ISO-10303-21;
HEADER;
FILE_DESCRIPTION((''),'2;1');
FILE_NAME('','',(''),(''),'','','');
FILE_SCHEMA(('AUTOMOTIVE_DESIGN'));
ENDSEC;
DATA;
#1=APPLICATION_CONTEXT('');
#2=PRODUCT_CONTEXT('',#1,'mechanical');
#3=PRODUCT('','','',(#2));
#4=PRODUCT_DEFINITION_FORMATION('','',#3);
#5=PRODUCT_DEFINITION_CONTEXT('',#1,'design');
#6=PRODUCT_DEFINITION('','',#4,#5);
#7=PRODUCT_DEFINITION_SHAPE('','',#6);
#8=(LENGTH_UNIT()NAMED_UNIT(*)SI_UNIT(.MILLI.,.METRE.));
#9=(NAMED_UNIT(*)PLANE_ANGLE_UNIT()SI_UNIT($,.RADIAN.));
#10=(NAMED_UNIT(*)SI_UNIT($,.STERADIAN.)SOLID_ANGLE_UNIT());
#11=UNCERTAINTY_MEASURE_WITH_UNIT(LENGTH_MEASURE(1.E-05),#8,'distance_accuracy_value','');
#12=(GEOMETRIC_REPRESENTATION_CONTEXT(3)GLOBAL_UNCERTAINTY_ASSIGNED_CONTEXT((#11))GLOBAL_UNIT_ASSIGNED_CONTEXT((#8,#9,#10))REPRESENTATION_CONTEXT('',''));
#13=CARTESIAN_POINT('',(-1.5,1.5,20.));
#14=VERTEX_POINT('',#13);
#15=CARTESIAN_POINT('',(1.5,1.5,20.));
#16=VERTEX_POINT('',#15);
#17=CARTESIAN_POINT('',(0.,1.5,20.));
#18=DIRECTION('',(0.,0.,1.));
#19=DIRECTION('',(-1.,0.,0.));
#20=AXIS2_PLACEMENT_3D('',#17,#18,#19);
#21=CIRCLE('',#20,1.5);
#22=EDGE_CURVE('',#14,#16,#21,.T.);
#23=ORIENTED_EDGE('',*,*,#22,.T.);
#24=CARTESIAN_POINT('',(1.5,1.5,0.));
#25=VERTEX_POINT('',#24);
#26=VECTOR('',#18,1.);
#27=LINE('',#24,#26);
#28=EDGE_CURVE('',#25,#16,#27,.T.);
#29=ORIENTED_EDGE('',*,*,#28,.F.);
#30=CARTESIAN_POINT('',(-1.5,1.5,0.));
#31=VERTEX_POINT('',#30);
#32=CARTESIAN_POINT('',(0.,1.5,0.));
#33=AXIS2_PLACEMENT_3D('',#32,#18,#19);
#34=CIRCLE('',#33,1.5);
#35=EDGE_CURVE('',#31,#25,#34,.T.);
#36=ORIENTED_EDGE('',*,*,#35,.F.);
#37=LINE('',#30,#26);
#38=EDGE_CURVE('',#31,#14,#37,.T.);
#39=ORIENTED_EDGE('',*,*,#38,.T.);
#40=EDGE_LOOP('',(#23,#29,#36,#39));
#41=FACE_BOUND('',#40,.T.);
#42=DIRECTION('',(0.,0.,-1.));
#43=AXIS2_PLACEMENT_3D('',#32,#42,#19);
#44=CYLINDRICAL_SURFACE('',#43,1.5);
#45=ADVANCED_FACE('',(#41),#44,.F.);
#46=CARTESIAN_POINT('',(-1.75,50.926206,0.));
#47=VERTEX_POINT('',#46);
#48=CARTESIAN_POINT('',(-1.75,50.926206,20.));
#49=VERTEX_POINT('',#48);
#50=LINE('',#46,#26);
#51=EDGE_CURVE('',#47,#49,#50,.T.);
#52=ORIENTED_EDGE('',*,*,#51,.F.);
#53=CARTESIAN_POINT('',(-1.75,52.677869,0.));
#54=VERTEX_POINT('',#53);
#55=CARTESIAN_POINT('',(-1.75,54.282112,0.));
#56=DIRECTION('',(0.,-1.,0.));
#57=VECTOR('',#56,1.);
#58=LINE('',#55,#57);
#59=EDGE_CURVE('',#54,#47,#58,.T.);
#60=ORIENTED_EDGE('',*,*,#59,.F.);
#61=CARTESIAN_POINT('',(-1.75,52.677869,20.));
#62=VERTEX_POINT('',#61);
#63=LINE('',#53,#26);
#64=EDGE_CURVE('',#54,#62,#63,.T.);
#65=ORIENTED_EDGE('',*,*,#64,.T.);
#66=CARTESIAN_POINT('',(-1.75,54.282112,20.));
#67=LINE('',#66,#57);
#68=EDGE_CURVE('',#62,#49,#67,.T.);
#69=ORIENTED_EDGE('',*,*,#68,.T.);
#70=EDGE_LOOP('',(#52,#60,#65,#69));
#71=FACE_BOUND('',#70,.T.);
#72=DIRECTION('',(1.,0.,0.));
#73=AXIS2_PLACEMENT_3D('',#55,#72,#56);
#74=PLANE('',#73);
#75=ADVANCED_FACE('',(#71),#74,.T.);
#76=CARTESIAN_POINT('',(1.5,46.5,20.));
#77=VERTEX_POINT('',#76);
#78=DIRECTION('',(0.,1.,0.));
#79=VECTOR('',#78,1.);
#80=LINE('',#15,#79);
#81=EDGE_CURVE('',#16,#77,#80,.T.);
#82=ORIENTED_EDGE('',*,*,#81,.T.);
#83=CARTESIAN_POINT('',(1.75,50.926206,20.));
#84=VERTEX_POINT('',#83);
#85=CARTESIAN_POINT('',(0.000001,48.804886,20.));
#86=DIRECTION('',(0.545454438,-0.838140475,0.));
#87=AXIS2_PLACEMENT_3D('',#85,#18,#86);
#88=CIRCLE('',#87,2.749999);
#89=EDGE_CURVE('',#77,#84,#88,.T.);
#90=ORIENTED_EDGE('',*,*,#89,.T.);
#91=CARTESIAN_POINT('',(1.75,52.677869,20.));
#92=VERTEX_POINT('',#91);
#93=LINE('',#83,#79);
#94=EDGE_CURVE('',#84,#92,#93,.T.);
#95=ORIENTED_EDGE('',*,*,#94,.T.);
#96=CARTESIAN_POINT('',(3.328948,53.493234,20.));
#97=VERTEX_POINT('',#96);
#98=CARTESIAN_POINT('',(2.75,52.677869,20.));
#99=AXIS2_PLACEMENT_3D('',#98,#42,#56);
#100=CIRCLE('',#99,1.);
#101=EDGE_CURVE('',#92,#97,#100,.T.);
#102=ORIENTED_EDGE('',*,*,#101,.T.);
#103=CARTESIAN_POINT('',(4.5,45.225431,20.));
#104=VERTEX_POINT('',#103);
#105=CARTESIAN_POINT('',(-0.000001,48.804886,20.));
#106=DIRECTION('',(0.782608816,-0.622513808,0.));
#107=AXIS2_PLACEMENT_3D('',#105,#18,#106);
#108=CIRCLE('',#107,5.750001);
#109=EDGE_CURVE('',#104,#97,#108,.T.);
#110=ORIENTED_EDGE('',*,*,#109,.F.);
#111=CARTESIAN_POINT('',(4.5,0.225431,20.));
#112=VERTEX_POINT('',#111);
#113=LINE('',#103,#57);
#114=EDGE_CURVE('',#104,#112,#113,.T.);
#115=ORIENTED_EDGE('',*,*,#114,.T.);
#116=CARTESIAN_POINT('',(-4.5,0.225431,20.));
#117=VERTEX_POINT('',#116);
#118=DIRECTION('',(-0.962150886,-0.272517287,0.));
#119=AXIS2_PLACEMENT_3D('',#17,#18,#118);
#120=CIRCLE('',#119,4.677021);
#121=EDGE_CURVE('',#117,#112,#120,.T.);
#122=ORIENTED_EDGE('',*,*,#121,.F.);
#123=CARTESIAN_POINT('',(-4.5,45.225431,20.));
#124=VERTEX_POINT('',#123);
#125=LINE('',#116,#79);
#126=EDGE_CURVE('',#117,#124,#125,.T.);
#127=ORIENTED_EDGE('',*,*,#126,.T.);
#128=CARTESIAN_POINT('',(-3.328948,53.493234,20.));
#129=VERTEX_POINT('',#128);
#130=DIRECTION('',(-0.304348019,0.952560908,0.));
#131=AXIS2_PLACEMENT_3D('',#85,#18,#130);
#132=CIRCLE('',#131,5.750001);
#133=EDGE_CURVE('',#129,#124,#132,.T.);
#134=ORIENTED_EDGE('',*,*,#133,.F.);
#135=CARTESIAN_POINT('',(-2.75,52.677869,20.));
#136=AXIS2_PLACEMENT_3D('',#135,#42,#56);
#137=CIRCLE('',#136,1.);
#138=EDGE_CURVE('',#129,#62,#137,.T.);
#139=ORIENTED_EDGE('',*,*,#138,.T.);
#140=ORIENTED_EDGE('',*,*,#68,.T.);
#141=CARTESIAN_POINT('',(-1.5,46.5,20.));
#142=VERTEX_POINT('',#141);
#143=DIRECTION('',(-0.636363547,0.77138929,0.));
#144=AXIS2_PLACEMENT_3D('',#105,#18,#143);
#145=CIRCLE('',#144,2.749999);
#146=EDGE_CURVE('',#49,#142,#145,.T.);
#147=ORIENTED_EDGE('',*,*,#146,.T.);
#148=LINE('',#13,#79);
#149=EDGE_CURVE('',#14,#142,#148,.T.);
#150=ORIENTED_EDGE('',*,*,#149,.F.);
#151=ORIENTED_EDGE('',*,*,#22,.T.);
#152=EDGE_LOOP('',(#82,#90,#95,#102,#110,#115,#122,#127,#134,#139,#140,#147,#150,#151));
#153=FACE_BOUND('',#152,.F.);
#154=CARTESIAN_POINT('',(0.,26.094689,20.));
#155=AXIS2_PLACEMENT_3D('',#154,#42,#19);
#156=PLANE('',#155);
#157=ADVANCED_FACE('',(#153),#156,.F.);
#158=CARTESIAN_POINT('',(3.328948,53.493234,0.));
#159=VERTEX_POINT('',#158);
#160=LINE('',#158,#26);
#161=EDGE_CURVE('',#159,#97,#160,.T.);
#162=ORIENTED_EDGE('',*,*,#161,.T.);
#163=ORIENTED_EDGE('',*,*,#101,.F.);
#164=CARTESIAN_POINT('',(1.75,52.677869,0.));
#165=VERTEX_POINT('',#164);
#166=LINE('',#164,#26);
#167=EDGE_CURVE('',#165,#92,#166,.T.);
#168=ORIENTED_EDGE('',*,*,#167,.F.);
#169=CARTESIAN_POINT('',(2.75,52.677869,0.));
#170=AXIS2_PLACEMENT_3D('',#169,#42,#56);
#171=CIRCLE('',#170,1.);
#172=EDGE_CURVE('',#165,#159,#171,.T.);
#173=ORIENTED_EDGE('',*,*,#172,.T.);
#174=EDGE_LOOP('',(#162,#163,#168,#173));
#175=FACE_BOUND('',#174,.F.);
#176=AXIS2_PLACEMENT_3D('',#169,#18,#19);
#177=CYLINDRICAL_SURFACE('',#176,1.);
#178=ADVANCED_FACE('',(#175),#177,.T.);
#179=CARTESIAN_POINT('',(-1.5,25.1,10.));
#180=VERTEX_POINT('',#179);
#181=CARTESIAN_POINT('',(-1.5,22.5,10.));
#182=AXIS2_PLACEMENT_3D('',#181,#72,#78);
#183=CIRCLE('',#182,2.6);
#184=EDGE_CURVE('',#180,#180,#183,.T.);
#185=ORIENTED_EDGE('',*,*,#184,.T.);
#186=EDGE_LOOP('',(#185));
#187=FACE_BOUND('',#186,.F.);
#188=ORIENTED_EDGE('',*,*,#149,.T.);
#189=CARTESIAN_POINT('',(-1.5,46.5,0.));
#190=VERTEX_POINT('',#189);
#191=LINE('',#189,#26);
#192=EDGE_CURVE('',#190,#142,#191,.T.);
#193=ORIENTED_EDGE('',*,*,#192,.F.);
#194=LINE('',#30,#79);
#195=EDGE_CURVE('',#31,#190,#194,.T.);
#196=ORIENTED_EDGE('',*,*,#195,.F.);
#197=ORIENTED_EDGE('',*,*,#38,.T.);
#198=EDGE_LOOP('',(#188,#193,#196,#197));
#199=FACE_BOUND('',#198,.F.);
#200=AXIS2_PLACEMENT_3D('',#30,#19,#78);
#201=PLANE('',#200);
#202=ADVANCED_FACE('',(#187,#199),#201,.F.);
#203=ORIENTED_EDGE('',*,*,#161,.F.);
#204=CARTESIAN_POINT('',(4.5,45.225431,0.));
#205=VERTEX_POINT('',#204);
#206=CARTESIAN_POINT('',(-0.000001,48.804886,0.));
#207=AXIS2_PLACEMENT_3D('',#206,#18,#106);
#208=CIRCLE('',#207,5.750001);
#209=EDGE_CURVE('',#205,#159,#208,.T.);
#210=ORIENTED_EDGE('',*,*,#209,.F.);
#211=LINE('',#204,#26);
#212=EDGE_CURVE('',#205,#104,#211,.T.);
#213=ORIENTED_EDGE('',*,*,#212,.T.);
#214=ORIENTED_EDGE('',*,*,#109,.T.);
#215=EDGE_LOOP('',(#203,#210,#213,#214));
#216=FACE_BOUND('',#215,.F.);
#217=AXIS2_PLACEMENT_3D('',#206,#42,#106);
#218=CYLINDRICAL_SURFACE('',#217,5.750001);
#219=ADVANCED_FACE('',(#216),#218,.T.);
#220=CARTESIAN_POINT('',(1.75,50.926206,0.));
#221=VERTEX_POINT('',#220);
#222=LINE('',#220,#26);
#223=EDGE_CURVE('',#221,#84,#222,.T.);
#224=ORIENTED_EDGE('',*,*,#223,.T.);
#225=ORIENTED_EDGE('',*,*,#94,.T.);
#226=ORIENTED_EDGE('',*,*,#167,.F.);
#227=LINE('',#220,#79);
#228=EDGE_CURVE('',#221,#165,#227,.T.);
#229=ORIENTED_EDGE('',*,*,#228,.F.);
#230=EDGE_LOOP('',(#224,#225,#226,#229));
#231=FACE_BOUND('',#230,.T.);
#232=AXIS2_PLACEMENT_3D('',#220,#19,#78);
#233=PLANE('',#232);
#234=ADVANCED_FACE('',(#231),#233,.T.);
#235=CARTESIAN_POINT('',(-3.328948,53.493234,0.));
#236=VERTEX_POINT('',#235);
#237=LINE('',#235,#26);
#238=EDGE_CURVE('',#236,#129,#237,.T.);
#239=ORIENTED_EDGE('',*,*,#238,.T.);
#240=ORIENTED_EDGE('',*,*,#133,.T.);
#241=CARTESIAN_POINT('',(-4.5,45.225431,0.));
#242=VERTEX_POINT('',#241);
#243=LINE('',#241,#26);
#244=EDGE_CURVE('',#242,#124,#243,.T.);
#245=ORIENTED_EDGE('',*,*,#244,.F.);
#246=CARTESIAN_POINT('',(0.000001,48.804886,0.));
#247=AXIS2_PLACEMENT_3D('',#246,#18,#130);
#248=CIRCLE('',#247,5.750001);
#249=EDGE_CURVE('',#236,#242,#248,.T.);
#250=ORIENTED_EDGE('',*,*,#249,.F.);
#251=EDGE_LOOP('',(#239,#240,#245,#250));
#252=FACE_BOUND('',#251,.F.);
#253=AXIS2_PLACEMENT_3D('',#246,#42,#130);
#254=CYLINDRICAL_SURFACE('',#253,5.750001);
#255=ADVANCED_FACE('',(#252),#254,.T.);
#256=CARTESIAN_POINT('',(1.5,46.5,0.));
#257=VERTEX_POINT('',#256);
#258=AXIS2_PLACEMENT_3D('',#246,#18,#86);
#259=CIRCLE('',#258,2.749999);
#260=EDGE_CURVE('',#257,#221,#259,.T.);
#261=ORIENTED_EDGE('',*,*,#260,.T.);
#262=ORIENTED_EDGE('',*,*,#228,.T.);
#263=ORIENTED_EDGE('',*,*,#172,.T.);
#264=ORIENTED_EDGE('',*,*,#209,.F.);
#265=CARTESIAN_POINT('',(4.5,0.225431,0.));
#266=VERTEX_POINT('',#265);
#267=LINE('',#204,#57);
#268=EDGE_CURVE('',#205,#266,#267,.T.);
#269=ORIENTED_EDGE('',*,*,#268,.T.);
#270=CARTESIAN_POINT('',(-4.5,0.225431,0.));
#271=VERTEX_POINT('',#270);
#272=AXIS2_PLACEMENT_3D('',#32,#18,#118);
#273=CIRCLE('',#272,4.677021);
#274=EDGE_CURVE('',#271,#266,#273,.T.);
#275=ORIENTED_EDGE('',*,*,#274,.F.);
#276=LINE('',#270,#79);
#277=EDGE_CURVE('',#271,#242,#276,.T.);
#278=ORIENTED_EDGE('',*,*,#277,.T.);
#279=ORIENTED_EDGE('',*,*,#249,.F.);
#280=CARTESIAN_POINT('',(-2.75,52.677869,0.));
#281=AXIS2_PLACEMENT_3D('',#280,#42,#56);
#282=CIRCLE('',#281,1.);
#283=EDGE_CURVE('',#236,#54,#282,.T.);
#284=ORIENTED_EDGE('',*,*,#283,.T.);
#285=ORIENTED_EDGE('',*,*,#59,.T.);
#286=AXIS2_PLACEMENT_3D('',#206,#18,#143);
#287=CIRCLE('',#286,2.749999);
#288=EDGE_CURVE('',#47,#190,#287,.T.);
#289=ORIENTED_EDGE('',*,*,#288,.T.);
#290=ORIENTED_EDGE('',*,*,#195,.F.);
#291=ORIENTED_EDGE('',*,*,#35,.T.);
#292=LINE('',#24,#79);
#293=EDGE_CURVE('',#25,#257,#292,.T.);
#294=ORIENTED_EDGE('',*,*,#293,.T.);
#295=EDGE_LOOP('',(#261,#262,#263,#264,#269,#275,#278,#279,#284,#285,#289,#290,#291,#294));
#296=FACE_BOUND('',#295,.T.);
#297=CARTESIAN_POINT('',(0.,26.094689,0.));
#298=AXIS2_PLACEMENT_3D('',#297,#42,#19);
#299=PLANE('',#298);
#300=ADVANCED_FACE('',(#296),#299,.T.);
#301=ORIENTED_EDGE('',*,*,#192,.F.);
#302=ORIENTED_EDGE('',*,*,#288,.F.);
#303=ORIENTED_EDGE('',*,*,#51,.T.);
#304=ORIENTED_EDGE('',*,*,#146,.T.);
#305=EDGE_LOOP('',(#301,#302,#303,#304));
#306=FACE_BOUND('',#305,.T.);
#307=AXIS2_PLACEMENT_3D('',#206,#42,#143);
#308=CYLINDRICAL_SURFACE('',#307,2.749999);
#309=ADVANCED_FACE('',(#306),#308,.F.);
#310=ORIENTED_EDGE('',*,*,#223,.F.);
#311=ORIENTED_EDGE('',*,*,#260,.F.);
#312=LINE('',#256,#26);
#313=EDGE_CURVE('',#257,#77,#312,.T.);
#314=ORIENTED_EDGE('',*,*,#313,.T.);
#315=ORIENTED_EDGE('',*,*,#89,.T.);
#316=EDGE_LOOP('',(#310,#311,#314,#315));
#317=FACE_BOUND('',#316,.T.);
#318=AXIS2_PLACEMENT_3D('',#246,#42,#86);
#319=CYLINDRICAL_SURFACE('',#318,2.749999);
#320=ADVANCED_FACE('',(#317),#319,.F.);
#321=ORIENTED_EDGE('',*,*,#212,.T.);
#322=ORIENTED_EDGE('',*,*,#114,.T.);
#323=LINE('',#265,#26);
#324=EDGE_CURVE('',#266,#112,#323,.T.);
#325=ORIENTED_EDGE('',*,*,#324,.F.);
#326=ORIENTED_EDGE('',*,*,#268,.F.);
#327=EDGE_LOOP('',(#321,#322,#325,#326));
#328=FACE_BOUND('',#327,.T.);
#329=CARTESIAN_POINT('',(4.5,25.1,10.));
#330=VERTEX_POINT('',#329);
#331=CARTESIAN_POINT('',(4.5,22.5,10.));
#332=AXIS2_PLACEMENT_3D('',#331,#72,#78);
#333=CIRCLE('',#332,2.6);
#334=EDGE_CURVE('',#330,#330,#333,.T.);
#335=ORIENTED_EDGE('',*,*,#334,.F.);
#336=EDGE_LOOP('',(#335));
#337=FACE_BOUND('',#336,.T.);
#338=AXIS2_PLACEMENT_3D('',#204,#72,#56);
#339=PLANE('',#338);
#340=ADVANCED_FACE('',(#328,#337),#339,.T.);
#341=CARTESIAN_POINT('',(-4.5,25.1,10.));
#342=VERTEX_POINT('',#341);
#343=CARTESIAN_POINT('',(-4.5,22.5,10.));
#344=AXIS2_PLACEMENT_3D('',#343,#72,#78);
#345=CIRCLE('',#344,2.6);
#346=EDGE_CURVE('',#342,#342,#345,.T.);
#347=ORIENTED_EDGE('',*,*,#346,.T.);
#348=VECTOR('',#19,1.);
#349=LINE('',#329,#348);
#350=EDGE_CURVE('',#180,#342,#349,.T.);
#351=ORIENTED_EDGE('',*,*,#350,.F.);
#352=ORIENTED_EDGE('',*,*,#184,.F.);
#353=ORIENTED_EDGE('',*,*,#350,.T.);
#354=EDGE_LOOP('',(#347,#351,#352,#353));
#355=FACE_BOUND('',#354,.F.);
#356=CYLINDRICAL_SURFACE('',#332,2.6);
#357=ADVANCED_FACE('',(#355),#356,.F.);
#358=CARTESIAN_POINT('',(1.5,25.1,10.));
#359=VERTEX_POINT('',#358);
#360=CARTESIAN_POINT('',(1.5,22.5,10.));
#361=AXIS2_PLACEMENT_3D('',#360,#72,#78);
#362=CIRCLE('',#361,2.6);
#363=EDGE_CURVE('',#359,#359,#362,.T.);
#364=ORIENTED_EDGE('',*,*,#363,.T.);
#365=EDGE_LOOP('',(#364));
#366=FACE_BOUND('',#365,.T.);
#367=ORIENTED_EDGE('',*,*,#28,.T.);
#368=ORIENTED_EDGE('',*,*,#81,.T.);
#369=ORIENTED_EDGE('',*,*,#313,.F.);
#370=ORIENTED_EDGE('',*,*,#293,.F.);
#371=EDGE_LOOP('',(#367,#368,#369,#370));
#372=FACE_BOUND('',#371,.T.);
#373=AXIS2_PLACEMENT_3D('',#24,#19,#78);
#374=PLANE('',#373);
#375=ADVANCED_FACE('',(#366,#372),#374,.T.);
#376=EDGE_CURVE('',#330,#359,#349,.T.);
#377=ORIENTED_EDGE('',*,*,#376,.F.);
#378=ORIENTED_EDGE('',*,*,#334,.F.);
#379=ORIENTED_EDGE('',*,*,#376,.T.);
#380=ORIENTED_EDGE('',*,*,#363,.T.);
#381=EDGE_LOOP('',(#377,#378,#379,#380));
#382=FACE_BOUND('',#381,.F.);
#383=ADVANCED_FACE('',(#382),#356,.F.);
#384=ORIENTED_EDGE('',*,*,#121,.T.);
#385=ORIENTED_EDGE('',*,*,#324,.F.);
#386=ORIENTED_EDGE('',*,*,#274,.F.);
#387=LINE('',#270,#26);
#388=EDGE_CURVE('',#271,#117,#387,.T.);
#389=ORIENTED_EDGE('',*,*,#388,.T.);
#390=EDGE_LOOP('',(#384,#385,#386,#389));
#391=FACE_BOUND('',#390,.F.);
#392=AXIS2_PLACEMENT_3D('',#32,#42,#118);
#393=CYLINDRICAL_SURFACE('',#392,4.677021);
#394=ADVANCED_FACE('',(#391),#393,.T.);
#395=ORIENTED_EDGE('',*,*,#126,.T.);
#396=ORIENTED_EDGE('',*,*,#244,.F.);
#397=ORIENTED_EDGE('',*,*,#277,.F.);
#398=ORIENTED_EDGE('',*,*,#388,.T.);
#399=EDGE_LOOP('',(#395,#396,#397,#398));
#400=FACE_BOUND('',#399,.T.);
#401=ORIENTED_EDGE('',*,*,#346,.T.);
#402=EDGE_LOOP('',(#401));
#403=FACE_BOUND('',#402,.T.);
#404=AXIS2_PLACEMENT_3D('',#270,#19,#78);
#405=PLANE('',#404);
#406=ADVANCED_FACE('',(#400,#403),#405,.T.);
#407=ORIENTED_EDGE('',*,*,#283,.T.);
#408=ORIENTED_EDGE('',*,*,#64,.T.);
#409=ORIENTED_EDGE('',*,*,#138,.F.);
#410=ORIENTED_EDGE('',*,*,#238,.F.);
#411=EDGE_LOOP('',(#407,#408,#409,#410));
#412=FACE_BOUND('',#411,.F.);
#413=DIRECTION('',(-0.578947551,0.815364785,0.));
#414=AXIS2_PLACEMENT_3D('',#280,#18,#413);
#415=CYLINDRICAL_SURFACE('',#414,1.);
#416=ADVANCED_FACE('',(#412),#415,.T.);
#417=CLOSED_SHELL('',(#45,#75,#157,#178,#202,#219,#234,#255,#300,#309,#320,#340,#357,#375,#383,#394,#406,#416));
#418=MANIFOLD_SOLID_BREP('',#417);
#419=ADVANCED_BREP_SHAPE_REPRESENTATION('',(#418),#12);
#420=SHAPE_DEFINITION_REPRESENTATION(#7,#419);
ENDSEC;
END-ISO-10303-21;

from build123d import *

# Parameters (mm, degrees)
PAD_DEPTH    = 20
SKETCH001_R  = 2.6
POCKET_DEPTH = 10.251
FILLET_R     = 1


with BuildPart() as part:
    # Sketch → Pad (new body)
    with BuildSketch(Plane.XY):
        with BuildLine():
            ThreePointArc((-1.5, 1.5), (0, 0), (1.5, 1.5))
            Line((1.5, 1.5), (1.5, 46.5))
            ThreePointArc((1.5, 46.5), (2.745624, 48.649808), (1.75, 50.926206))
            Line((1.75, 50.926206), (1.75, 54.282112))
            ThreePointArc((4.5, 45.225431), (5.501953, 50.475517), (1.75, 54.282112))
            Line((4.5, 45.225431), (4.5, 0.225431))
            ThreePointArc((-4.5, 0.225431), (0, -3.177021), (4.5, 0.225431))
            Line((-4.5, 0.225431), (-4.5, 45.225431))
            ThreePointArc((-1.75, 54.282112), (-5.501953, 50.475517), (-4.5, 45.225431))
            Line((-1.75, 54.282112), (-1.75, 50.926206))
            ThreePointArc((-1.75, 50.926206), (-2.745624, 48.649808), (-1.5, 46.5))
            Line((-1.5, 1.5), (-1.5, 46.5))
        make_face()
    extrude(amount=PAD_DEPTH)

    # Sketch001 (on Face6 of Pad) → Pocket (cut, through all)
    with BuildSketch(Plane.YZ.offset(4.5)):
        with Locations((22.5, 10)):
            Circle(SKETCH001_R)
    extrude(amount=-POCKET_DEPTH, mode=Mode.SUBTRACT)

    # Fillet
    fillet_edges = [part.edges().sort_by_distance(p)[0] for p in [
        (-1.75, 54.282112, 10),
        (1.75, 54.282112, 10),
    ]]
    fillet(fillet_edges, radius=FILLET_R)


solid = part.part
